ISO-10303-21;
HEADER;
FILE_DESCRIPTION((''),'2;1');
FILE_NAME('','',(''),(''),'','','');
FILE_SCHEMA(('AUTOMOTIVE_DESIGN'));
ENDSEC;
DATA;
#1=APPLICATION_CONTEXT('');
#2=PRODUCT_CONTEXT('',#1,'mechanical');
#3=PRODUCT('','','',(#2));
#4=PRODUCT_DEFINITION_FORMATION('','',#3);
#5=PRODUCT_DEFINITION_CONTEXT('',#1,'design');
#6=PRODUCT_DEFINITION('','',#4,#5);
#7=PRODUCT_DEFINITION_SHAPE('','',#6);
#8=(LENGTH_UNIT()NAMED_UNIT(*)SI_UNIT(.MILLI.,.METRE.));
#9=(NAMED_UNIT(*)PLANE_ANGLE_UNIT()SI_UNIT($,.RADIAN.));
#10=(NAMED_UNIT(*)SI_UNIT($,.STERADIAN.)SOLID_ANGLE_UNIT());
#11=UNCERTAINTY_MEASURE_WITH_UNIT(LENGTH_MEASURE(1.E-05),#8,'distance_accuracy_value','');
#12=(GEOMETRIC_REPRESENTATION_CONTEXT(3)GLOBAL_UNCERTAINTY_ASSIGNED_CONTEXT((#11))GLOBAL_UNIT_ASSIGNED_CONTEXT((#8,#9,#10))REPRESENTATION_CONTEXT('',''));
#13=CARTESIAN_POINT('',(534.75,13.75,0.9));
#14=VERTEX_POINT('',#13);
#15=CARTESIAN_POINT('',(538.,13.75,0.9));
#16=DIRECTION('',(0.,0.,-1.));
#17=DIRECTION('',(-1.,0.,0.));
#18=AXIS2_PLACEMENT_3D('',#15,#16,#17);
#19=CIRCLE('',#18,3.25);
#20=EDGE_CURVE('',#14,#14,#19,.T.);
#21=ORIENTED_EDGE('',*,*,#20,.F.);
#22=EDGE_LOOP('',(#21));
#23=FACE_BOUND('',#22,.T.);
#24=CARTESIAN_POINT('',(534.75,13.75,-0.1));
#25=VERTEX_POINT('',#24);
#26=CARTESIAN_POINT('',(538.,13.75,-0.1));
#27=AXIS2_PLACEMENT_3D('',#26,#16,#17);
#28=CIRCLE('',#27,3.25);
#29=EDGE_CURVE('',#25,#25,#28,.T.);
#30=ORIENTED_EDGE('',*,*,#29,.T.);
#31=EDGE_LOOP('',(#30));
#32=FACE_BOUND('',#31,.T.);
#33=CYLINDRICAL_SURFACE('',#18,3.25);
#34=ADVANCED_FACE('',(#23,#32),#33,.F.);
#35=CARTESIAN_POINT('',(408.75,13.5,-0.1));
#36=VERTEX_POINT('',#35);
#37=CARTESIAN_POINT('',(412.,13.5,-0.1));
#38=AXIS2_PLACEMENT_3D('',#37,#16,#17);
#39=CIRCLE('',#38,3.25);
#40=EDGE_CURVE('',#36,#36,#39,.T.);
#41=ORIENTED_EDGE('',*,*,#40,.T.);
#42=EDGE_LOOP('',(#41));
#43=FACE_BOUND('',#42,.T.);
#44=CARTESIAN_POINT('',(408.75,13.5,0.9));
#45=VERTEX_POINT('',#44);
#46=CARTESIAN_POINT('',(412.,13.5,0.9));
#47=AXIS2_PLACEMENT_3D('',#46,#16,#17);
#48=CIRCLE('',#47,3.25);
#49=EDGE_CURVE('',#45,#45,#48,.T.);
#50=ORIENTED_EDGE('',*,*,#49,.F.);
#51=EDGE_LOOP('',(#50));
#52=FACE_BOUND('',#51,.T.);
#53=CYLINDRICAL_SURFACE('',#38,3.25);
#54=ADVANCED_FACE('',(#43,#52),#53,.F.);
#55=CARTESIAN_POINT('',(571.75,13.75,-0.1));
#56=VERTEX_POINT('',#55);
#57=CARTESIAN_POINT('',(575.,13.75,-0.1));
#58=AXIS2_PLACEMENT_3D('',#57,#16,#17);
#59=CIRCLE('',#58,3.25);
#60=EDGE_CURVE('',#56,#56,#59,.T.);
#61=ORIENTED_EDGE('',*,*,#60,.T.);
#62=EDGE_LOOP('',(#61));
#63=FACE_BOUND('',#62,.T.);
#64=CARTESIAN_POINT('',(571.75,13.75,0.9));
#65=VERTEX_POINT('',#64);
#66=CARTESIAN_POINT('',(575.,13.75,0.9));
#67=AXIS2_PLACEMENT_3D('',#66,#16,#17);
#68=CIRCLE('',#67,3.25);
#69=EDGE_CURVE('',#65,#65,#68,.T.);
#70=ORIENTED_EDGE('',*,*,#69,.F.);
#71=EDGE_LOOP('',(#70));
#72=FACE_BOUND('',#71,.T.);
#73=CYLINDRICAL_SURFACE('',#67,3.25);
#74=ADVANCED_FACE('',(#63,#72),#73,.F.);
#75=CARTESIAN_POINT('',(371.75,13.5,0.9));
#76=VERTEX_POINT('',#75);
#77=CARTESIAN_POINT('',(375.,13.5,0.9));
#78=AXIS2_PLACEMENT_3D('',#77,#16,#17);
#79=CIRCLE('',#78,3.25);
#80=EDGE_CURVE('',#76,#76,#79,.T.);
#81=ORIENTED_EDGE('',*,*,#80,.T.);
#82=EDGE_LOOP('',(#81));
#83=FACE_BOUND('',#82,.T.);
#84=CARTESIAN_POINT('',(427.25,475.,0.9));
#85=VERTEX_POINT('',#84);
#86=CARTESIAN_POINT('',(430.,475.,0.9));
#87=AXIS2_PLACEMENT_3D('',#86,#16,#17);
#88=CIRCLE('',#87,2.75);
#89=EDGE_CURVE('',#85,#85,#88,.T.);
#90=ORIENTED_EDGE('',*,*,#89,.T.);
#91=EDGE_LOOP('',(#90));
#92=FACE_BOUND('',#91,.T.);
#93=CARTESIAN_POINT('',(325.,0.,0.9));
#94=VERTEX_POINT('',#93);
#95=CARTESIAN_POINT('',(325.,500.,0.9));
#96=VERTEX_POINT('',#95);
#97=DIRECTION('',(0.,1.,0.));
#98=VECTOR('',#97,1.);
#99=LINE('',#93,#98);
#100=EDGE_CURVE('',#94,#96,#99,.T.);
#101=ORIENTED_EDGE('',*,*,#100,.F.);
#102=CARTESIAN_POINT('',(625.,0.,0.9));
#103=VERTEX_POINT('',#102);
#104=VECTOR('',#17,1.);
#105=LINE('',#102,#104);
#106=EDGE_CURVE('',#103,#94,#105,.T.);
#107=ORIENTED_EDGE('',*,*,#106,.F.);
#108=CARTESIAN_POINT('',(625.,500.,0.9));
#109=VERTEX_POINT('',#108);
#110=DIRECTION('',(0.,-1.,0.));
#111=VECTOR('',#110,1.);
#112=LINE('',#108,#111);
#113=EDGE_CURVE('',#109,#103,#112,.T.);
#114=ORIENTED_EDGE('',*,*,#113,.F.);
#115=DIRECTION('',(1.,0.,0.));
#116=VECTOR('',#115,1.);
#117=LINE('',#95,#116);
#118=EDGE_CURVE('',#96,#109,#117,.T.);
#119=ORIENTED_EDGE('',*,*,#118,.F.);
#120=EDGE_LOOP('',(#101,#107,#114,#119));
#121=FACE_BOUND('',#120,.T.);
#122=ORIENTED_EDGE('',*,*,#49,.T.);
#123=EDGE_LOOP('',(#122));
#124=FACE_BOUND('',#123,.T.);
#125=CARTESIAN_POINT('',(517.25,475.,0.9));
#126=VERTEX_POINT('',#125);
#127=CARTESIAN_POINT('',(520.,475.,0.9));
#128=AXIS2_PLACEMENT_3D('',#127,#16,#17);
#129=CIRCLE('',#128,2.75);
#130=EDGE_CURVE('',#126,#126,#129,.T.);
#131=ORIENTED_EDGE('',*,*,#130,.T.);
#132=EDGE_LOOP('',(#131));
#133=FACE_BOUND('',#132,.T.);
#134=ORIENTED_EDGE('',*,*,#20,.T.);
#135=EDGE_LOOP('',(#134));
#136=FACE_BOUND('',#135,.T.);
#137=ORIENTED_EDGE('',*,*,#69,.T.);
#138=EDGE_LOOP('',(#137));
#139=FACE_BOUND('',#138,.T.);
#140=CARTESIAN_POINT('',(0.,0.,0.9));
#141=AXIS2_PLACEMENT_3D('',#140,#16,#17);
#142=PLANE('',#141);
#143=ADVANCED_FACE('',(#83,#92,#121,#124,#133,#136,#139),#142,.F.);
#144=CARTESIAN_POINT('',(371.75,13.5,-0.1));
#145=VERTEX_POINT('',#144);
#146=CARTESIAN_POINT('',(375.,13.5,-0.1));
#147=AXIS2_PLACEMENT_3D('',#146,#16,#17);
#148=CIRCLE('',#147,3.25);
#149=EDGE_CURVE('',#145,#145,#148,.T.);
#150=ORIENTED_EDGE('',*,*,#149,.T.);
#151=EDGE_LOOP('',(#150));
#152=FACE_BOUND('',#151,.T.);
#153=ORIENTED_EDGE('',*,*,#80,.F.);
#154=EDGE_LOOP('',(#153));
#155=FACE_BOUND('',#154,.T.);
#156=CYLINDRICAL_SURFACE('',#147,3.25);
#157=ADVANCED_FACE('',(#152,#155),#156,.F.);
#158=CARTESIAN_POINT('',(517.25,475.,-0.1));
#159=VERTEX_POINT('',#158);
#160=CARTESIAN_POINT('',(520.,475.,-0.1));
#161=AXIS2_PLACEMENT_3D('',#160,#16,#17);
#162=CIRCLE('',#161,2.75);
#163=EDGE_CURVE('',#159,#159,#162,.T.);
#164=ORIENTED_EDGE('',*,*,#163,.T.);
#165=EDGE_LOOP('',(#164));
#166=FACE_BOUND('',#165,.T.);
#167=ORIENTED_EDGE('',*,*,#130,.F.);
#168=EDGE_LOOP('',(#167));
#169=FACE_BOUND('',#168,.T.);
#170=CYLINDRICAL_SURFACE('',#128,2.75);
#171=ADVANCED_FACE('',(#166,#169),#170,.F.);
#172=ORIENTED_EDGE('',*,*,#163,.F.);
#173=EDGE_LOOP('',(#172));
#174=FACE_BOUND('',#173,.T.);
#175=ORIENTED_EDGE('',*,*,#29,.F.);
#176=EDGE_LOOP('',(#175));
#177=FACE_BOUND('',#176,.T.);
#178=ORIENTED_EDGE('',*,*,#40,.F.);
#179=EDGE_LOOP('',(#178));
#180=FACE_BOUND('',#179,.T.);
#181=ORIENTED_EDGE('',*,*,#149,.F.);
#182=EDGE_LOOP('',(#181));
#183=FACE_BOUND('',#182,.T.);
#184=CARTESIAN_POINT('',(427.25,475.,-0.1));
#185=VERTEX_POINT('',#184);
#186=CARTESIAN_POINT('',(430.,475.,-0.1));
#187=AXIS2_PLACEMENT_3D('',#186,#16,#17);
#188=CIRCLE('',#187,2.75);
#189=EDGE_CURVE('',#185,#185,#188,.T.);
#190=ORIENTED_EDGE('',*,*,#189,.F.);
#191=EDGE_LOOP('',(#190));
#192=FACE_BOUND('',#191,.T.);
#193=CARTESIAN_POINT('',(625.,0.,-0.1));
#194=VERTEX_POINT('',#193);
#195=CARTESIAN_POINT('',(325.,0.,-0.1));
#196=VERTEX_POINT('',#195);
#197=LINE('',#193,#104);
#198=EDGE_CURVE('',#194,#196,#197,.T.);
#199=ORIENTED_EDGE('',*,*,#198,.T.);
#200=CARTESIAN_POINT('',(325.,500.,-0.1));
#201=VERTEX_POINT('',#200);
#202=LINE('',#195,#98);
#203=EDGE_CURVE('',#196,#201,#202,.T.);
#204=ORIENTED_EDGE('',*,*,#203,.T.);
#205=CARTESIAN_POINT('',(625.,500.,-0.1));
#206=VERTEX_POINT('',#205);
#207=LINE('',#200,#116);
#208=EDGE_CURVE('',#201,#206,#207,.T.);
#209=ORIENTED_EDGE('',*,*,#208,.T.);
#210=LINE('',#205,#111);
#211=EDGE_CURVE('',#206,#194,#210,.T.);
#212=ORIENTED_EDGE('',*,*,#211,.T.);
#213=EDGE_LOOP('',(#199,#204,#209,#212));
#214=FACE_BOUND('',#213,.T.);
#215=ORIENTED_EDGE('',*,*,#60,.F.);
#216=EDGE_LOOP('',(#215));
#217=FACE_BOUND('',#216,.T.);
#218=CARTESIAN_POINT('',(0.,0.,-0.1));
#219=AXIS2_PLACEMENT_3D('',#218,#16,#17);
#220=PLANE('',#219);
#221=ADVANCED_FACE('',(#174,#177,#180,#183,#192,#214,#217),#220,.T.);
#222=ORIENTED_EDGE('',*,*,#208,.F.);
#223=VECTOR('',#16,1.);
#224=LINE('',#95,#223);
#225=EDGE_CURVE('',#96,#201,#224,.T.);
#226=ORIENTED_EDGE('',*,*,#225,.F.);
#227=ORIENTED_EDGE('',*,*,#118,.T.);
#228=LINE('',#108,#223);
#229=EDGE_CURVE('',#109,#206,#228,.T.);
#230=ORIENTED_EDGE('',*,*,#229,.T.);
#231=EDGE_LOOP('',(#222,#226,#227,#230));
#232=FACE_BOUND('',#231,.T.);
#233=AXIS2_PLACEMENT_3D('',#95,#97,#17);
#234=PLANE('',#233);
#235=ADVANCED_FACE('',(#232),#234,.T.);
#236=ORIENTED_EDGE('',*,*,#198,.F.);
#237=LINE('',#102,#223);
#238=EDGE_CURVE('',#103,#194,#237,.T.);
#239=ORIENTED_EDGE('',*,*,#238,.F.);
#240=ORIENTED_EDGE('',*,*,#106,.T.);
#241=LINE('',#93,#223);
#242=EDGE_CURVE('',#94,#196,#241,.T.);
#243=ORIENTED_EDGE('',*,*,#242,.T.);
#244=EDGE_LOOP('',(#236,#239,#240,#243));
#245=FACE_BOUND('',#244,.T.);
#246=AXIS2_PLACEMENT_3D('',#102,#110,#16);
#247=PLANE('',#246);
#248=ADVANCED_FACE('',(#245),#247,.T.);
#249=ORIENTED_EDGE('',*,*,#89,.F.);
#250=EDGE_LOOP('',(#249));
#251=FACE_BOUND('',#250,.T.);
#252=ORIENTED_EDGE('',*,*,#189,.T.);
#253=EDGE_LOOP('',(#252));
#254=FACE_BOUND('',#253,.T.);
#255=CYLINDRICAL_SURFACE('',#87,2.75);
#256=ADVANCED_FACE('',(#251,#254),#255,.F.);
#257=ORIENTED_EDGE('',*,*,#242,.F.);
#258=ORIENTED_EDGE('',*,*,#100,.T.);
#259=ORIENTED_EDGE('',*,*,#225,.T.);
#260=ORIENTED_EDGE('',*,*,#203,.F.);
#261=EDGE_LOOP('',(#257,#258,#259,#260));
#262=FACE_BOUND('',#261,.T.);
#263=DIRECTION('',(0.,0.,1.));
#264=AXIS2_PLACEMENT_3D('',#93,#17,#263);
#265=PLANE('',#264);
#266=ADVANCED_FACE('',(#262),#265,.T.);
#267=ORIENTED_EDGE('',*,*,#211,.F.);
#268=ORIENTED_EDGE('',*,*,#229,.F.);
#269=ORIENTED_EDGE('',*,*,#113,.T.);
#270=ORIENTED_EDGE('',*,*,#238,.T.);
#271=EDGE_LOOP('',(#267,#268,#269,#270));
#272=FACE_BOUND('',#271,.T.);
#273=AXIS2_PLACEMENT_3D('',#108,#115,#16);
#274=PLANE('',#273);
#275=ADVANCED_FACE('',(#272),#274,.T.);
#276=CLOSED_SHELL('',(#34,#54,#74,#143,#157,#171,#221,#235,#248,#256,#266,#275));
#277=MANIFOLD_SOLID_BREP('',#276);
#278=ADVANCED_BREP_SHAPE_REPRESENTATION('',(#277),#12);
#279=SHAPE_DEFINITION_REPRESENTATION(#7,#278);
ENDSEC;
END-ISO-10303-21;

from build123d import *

# Parameters (mm, degrees)
SKETCH1_W                      = 300
SKETCH1_H                      = 500
BOSS_EXTRUDE1_DEPTH            = 1
SKETCH2_R                      = 3.25
CUT_EXTRUDE1_DEPTH             = 801.391154374
SKETCH3_R                      = 2.75
M5_CLEARANCE_5_5_MM_THRU_DEPTH = 801.391154374
F_6_5_6_5_DIAMETER_SLOT2_D     = 6.5


with BuildPart() as part:
    # Sketch1 → Boss-Extrude1 (new body)
    with BuildSketch(Plane(origin=(0, 0, -0.1), x_dir=(-1, 0, 0), z_dir=(0, 0, -1))):
        with Locations((-475, 250)):
            Rectangle(SKETCH1_W, SKETCH1_H)
    extrude(amount=-BOSS_EXTRUDE1_DEPTH)

    # Sketch2 → Cut-Extrude1 (cut, through all)
    with BuildSketch(Plane(origin=(0, 0, -0.1), x_dir=(-1, 0, 0), z_dir=(0, 0, -1))):
        with Locations((-538, 13.75)):
            Circle(SKETCH2_R)
        with Locations((-575, 13.75)):
            Circle(SKETCH2_R)
    extrude(amount=-CUT_EXTRUDE1_DEPTH, mode=Mode.SUBTRACT)

    # Sketch3 → M5 clearance- 5.5 mm -thru (cut, through all)
    with BuildSketch(Plane(origin=(0, 0, -0.1), x_dir=(-1, 0, 0), z_dir=(0, 0, -1))):
        with Locations((-520, 475)):
            Circle(SKETCH3_R)
        with Locations((-430, 475)):
            Circle(SKETCH3_R)
    extrude(amount=-M5_CLEARANCE_5_5_MM_THRU_DEPTH, mode=Mode.SUBTRACT)

    # Ø6.5 (6.5) Diameter Slot2 (through all)
    with Locations(Plane(origin=(0, 0, -0.1), x_dir=(-1, 0, 0), z_dir=(0, 0, -1))):
        with Locations((-412, 13.5), (-375, 13.5)):
            Hole(F_6_5_6_5_DIAMETER_SLOT2_D / 2)


solid = part.part
